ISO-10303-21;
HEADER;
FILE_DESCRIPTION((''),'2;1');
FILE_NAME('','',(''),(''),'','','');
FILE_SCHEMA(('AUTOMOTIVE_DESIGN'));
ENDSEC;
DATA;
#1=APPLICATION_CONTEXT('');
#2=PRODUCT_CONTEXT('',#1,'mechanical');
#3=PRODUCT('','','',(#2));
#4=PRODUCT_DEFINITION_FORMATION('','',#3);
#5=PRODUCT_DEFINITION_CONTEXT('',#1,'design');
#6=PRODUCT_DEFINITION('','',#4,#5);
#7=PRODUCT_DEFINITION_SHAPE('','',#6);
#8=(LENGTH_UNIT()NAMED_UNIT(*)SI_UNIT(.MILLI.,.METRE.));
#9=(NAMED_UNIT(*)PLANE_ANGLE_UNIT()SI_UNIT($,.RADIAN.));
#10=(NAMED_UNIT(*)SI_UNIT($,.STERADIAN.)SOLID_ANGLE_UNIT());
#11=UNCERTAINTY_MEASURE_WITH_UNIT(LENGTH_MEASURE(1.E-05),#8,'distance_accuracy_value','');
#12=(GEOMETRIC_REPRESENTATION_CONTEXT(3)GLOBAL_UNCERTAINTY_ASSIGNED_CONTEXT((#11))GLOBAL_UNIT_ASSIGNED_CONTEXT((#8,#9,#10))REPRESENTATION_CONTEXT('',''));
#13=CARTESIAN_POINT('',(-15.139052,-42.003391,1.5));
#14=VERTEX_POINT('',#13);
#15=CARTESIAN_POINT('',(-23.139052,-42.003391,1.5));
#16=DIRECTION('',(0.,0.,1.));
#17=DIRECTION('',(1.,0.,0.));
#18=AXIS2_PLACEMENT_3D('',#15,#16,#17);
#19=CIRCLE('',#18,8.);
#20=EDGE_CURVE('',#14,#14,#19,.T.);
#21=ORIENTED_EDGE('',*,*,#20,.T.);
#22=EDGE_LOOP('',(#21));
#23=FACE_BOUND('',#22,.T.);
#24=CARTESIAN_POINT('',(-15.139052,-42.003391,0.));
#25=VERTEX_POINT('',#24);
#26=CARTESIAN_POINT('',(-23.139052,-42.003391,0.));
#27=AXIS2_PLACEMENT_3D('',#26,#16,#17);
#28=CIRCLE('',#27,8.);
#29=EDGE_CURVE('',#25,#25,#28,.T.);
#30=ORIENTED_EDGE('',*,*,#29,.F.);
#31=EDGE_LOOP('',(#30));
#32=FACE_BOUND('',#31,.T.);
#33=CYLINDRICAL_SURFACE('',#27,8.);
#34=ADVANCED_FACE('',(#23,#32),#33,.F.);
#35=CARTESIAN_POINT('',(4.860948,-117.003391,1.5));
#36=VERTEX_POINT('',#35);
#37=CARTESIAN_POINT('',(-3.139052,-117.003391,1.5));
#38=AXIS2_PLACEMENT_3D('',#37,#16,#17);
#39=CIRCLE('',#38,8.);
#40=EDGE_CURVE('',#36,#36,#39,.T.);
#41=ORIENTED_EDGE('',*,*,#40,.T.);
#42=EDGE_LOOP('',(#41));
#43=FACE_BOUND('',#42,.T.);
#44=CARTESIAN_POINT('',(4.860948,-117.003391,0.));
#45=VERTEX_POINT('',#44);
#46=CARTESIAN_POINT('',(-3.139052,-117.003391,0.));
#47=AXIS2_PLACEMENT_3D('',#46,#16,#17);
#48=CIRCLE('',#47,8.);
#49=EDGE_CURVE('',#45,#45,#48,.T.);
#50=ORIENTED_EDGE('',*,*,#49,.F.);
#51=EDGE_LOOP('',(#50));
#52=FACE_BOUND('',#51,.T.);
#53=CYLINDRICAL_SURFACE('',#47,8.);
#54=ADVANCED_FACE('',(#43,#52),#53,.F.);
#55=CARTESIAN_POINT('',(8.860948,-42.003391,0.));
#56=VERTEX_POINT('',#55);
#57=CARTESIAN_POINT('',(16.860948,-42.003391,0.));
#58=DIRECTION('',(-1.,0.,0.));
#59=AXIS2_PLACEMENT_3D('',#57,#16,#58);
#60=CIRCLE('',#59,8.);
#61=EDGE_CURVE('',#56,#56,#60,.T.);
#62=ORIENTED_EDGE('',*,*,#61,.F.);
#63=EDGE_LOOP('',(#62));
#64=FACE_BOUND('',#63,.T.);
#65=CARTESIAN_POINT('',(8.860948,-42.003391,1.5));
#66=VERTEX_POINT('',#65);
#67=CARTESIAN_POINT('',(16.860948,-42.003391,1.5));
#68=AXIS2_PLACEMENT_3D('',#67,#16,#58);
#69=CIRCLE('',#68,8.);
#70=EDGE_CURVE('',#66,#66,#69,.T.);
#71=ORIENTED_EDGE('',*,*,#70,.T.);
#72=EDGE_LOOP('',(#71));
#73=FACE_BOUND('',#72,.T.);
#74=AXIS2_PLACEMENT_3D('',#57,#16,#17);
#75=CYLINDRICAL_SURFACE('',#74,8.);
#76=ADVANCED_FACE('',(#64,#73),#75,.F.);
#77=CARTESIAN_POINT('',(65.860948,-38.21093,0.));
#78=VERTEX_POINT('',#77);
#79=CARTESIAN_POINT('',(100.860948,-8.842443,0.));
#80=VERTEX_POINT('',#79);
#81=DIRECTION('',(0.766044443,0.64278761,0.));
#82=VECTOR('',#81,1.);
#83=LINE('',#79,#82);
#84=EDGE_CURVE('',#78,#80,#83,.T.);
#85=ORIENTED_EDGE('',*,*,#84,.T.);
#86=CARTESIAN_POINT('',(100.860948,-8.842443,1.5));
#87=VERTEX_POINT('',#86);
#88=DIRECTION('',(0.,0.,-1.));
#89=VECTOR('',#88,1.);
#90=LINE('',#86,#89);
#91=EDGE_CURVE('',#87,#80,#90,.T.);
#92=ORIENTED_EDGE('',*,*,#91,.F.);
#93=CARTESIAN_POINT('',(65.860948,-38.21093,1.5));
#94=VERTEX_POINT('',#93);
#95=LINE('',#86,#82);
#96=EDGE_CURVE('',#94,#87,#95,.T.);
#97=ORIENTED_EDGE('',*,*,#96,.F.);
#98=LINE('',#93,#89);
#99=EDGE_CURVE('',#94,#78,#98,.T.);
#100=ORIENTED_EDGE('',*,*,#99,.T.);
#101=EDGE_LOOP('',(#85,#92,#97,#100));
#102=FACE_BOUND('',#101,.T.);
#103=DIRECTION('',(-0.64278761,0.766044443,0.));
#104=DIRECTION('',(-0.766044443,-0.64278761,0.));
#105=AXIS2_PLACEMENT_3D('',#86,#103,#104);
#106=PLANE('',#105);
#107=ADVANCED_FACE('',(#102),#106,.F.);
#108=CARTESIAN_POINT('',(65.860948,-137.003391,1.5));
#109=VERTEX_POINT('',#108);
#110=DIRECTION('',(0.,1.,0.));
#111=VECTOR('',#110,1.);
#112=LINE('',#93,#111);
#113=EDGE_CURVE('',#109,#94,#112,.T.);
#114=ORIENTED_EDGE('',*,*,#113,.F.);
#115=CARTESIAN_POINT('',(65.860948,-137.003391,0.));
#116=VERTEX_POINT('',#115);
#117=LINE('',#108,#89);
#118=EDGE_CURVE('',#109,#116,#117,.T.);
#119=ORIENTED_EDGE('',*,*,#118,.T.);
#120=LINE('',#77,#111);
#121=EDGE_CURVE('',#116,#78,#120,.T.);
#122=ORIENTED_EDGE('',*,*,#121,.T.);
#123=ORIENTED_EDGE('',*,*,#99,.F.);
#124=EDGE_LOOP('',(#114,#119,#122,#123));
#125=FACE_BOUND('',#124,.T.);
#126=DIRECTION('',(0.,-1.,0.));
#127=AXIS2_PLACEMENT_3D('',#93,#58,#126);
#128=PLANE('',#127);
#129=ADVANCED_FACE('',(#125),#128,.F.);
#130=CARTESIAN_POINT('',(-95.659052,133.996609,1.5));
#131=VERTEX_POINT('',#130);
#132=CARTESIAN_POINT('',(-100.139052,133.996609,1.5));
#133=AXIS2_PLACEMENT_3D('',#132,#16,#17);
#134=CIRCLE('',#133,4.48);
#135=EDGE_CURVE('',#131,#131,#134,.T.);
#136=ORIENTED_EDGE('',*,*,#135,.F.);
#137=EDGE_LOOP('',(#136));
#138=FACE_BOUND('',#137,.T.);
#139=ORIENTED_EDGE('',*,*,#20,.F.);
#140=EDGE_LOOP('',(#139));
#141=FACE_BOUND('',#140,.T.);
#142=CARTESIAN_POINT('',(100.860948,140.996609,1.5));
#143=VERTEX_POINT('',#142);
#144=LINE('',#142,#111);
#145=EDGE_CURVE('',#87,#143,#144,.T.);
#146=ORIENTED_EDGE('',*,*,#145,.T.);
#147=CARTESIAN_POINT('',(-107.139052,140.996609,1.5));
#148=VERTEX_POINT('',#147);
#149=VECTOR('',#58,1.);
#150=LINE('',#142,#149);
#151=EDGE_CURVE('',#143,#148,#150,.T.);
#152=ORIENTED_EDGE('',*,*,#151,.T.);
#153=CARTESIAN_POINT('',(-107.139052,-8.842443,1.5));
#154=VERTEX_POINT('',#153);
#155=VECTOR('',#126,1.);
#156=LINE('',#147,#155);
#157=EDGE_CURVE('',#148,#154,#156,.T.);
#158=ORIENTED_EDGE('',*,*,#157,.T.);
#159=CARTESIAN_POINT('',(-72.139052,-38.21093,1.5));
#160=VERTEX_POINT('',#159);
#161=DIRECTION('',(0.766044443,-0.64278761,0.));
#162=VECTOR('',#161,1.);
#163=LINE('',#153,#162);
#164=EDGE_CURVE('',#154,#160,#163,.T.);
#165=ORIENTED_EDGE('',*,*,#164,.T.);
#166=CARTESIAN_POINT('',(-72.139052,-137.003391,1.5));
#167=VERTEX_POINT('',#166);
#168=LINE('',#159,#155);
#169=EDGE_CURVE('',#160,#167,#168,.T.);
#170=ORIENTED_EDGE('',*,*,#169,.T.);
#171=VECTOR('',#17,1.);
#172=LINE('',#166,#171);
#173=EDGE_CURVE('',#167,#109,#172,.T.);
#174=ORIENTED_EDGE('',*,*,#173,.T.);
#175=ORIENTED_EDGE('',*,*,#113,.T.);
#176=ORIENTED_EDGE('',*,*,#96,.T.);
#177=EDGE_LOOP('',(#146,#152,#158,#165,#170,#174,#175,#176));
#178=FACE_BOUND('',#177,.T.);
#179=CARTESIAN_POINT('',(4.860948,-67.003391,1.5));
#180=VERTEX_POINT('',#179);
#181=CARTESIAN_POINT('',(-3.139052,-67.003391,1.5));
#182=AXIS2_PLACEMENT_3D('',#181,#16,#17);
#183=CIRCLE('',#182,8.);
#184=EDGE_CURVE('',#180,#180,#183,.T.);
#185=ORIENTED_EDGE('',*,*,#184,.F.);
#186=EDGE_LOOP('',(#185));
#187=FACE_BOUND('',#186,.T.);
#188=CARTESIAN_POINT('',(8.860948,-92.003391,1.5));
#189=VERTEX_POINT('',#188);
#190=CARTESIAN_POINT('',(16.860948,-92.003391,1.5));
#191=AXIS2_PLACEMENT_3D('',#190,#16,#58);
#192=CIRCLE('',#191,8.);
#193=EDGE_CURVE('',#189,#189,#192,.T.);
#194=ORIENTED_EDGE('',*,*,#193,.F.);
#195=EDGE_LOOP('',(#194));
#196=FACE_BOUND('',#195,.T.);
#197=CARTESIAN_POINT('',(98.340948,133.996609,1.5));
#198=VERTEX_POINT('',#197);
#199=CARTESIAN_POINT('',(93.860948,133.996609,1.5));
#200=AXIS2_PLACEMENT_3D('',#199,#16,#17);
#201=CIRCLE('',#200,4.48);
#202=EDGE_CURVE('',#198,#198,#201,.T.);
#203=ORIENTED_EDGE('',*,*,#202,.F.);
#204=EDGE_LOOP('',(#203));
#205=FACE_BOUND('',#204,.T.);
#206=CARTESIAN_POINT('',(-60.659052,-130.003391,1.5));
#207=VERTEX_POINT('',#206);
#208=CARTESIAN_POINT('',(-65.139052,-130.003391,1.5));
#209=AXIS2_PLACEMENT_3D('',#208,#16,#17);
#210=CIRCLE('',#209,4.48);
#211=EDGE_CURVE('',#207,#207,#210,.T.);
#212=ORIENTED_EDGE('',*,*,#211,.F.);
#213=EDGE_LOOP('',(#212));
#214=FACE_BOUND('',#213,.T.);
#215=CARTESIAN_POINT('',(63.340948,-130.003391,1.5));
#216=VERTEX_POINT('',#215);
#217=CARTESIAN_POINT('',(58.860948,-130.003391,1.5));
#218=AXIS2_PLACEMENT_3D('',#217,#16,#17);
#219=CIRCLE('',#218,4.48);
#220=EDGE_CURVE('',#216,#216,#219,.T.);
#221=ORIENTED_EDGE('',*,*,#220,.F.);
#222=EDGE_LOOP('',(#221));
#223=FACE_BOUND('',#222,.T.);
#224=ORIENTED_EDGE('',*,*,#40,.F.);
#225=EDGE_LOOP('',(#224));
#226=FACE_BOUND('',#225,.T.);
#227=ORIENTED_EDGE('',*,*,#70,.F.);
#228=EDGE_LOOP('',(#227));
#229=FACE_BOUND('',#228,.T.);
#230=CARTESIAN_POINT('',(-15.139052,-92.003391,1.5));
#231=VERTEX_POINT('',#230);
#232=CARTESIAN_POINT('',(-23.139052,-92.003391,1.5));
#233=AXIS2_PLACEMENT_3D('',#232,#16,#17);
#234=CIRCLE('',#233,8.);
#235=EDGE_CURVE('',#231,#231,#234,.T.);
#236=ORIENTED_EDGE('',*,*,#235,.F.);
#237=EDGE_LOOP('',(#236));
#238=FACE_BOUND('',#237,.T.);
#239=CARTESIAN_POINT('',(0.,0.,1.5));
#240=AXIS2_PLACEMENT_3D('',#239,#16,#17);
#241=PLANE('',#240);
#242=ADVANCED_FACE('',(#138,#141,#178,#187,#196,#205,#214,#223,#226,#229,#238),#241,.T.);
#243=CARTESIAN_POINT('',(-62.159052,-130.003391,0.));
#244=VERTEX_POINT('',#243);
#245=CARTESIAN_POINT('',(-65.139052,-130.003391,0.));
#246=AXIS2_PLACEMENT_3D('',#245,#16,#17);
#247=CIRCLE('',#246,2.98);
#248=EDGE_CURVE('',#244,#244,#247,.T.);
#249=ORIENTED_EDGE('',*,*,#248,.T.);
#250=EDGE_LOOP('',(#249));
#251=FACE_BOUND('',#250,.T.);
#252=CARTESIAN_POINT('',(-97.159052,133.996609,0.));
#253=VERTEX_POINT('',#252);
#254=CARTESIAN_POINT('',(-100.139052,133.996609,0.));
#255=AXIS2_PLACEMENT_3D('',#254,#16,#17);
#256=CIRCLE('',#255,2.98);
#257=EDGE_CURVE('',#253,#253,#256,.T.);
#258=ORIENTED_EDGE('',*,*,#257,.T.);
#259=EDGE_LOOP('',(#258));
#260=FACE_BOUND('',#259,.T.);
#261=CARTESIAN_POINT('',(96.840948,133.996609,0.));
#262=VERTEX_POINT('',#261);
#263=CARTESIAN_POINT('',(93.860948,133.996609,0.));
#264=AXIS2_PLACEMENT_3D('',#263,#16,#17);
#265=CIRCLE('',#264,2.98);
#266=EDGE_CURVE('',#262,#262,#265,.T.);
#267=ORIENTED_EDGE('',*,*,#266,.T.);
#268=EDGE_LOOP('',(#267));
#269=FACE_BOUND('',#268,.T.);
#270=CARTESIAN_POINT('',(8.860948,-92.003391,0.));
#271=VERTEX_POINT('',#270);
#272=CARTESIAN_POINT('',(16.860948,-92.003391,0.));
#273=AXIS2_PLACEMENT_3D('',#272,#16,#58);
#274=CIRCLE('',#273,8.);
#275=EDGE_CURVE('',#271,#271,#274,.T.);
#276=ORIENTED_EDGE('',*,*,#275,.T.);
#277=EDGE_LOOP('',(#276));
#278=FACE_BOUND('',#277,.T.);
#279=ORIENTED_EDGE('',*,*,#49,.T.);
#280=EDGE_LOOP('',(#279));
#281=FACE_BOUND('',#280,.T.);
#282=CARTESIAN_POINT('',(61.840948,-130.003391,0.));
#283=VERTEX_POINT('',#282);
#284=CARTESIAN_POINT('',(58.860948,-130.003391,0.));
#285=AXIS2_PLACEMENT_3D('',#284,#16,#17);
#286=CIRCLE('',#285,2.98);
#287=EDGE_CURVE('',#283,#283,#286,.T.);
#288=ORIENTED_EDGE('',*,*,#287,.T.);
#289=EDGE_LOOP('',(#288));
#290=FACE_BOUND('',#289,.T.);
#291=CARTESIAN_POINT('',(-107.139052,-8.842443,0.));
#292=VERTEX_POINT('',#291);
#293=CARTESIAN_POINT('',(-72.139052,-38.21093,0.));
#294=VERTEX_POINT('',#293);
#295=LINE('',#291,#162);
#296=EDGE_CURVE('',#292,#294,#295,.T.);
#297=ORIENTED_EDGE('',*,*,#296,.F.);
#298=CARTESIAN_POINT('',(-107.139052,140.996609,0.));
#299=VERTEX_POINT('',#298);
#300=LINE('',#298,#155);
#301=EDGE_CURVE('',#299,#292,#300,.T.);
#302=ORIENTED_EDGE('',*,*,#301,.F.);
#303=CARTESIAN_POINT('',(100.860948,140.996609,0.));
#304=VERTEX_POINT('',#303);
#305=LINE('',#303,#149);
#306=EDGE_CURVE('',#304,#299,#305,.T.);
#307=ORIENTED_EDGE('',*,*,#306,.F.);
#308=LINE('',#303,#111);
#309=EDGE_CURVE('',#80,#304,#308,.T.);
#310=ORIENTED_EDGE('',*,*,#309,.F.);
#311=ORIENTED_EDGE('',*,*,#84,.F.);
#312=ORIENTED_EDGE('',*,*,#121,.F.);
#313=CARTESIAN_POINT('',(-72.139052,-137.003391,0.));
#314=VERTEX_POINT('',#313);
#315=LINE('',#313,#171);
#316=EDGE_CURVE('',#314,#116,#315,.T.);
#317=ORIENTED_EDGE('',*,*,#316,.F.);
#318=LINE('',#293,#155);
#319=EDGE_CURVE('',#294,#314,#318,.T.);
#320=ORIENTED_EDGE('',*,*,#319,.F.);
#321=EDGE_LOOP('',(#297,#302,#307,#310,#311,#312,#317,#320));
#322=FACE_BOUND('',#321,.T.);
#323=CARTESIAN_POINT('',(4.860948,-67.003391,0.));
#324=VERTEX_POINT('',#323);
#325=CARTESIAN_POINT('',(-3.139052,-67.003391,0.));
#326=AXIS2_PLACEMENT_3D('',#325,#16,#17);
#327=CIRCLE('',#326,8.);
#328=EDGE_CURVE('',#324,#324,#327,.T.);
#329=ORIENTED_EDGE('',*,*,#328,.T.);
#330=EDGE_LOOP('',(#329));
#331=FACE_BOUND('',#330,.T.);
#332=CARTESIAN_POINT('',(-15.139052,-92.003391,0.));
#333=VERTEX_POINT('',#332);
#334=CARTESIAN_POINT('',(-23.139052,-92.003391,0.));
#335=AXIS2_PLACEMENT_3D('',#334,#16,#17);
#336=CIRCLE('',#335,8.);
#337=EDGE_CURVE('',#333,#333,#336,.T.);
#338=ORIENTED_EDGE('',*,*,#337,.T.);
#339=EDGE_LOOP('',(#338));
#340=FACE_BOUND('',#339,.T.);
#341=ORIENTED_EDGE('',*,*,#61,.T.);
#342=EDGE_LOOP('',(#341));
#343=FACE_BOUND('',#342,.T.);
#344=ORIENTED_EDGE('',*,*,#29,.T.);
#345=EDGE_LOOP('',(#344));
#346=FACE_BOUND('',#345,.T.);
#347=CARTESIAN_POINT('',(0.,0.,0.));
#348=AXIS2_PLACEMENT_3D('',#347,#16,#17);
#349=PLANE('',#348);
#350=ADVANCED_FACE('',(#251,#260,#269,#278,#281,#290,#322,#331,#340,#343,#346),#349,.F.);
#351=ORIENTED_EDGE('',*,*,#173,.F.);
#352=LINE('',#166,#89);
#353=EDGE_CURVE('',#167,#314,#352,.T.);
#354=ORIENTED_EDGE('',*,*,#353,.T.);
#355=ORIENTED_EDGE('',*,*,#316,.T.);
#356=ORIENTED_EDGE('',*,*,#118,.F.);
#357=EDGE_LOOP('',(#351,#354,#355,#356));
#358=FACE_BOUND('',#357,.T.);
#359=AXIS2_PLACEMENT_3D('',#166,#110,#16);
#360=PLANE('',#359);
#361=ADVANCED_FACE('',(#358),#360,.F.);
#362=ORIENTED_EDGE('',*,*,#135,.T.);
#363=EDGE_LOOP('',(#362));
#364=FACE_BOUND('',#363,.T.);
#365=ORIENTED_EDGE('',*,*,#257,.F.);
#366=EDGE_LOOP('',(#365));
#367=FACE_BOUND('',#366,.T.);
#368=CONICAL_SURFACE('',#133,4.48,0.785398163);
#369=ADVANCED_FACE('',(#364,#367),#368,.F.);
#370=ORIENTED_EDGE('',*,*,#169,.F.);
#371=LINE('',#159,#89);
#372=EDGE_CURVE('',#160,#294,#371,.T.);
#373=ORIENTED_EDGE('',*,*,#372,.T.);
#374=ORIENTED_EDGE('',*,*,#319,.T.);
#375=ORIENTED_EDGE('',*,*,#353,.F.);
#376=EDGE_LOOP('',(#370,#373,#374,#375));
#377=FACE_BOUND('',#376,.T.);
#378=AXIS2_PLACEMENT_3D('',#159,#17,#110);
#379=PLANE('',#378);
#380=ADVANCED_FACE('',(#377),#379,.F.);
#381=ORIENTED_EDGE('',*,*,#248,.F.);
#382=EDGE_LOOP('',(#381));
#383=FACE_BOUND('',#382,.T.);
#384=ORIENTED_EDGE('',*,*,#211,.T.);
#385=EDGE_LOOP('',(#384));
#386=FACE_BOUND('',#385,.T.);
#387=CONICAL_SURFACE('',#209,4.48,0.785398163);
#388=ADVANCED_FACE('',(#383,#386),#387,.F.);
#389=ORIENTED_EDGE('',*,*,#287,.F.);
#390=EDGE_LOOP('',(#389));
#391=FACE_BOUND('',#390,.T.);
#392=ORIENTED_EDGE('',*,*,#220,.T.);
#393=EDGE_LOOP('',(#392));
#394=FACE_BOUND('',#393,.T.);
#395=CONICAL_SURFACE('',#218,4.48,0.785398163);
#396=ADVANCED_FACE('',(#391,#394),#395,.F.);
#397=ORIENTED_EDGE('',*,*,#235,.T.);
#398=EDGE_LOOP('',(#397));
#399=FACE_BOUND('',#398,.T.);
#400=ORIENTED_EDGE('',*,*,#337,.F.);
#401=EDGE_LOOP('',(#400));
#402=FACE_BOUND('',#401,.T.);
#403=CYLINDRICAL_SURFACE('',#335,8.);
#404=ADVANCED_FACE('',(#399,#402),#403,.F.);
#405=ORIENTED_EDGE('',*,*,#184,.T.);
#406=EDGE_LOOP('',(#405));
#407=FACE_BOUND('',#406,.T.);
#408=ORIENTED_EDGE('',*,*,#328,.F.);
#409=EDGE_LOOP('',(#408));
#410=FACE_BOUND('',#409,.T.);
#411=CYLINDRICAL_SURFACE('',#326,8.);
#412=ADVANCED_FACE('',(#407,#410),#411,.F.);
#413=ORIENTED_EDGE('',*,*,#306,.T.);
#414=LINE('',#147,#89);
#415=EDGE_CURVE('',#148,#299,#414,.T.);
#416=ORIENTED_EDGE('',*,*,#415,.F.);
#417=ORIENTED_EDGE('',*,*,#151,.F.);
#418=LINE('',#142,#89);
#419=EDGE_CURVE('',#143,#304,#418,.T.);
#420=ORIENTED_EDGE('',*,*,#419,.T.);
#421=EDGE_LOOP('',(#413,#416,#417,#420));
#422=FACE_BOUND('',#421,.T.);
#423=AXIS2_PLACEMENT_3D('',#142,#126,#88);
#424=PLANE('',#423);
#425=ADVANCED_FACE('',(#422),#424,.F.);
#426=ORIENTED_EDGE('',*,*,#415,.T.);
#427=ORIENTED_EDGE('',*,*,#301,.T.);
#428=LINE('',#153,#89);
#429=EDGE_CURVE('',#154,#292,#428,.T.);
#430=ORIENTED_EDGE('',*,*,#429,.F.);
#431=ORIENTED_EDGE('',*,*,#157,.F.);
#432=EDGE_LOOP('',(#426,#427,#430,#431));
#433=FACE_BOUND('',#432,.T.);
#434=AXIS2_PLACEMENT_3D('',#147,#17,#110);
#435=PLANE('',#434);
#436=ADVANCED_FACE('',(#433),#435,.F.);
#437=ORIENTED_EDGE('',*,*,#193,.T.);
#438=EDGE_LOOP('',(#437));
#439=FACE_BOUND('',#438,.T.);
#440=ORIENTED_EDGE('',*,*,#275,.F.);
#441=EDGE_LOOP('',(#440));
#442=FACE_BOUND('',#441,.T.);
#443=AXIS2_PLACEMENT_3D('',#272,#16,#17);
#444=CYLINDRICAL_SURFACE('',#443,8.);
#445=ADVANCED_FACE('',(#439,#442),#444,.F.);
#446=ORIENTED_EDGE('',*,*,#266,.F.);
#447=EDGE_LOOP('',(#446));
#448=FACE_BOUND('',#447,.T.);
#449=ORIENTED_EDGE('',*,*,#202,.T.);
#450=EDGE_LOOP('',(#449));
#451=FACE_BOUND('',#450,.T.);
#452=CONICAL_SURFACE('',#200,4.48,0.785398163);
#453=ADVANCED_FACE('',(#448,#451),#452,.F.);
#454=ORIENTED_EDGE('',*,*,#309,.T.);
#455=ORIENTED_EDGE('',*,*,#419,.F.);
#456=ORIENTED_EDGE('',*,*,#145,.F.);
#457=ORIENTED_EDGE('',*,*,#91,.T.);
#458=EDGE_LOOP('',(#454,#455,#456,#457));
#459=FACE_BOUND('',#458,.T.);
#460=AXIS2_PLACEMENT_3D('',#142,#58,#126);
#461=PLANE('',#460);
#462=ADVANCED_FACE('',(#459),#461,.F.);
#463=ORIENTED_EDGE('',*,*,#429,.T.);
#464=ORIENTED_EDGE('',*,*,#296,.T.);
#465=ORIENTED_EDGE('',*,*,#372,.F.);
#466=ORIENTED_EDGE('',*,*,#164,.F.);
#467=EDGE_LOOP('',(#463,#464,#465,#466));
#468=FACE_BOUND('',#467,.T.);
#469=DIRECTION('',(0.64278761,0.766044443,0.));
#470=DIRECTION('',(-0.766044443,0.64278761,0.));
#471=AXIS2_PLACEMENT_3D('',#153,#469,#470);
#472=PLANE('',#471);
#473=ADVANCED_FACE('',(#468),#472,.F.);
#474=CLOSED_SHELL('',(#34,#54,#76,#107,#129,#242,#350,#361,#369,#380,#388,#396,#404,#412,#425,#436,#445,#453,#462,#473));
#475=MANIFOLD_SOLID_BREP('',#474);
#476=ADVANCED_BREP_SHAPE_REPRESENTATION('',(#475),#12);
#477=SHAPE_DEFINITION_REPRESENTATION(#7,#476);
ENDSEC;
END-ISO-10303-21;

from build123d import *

# Parameters (mm, degrees)
RESSALTO_EXTRUS_O1_DEPTH                     = 1.5
ESBO_O2_R                                    = 8
CORTE_EXTRUS_O1_DEPTH                        = 2.5
ESCAREADO_PARA_PARAFUSO_ALLEN_SEXTAV_2_COUNT = 2
ESCAREADO_PARA_PARAFUSO_ALLEN_SEXTAV_2_PITCH = 194
ESCAREADO_PARA_PARAFUSO_ALLEN_SEXTAV_3_COUNT = 2
ESCAREADO_PARA_PARAFUSO_ALLEN_SEXTAV_3_PITCH = 308.183386963
ESCAREADO_PARA_PARAFUSO_ALLEN_SEXTAV_4_COUNT = 2
ESCAREADO_PARA_PARAFUSO_ALLEN_SEXTAV_4_PITCH = 266.309969772


with BuildPart() as part:
    # Esboço1 → Ressalto-extrusão1 (new body)
    with BuildSketch(Plane.XY):
        Polygon((100.860947645, 140.996609125), (-107.139052355, 140.996609125), (-107.139052355, -8.842442963), (-72.139052355, -38.210930054), (-72.139052355, -137.003390875), (65.860947645, -137.003390875), (65.860947645, -38.210930054), (100.860947645, -8.842442963), align=None)
    extrude(amount=RESSALTO_EXTRUS_O1_DEPTH)

    # Esboço2 → Corte-extrusão1 (cut, through all)
    with BuildSketch(Plane.XY.offset(1.5)):
        with Locations((-3.139052355, -117.003390875)):
            Circle(ESBO_O2_R)
        with Locations((16.860947645, -42.003390875)):
            Circle(ESBO_O2_R)
        with Locations((-23.139052355, -92.003390875)):
            Circle(ESBO_O2_R)
        with Locations((-3.139052355, -67.003390875)):
            Circle(ESBO_O2_R)
        with Locations((16.860947645, -92.003390875)):
            Circle(ESBO_O2_R)
        with Locations((-23.139052355, -42.003390875)):
            Circle(ESBO_O2_R)
    extrude(amount=-CORTE_EXTRUS_O1_DEPTH, mode=Mode.SUBTRACT)

    # Esboço4 → Escareado para parafuso Allen sextavado escareado de M41 (revolve, cut)
    with BuildSketch(Plane(origin=(-100.139052355, 133.996609125, 1.5), x_dir=(0, -1, 0), z_dir=(1, 0, 0))):
        Polygon((0, 0), (0, 1.5), (2.25, 1.5), (2.25, 2.23), (4.48, 0), align=None)
    escareado_para_parafuso_allen_sextavado = revolve(axis=Axis((-100.139052355, 133.996609125, 7.85), (0, 0, -1)), mode=Mode.SUBTRACT)

    # Escareado para parafuso Allen sextav 2: Escareado para parafuso Allen sextavado escareado de M41 ×2
    with Locations(*[(i * ESCAREADO_PARA_PARAFUSO_ALLEN_SEXTAV_2_PITCH, 0, 0) for i in range(1, ESCAREADO_PARA_PARAFUSO_ALLEN_SEXTAV_2_COUNT)]):
        add(escareado_para_parafuso_allen_sextavado, mode=Mode.SUBTRACT)

    # Escareado para parafuso Allen sextav 3: Escareado para parafuso Allen sextavado escareado de M41 ×2
    with Locations(*[Vector(0.515926577, -0.856632808, 0) * (i * ESCAREADO_PARA_PARAFUSO_ALLEN_SEXTAV_3_PITCH) for i in range(1, ESCAREADO_PARA_PARAFUSO_ALLEN_SEXTAV_3_COUNT)]):
        add(escareado_para_parafuso_allen_sextavado, mode=Mode.SUBTRACT)

    # Escareado para parafuso Allen sextav 4: Escareado para parafuso Allen sextavado escareado de M41 ×2
    with Locations(*[Vector(0.131425797, -0.991326011, 0) * (i * ESCAREADO_PARA_PARAFUSO_ALLEN_SEXTAV_4_PITCH) for i in range(1, ESCAREADO_PARA_PARAFUSO_ALLEN_SEXTAV_4_COUNT)]):
        add(escareado_para_parafuso_allen_sextavado, mode=Mode.SUBTRACT)


solid = part.part
